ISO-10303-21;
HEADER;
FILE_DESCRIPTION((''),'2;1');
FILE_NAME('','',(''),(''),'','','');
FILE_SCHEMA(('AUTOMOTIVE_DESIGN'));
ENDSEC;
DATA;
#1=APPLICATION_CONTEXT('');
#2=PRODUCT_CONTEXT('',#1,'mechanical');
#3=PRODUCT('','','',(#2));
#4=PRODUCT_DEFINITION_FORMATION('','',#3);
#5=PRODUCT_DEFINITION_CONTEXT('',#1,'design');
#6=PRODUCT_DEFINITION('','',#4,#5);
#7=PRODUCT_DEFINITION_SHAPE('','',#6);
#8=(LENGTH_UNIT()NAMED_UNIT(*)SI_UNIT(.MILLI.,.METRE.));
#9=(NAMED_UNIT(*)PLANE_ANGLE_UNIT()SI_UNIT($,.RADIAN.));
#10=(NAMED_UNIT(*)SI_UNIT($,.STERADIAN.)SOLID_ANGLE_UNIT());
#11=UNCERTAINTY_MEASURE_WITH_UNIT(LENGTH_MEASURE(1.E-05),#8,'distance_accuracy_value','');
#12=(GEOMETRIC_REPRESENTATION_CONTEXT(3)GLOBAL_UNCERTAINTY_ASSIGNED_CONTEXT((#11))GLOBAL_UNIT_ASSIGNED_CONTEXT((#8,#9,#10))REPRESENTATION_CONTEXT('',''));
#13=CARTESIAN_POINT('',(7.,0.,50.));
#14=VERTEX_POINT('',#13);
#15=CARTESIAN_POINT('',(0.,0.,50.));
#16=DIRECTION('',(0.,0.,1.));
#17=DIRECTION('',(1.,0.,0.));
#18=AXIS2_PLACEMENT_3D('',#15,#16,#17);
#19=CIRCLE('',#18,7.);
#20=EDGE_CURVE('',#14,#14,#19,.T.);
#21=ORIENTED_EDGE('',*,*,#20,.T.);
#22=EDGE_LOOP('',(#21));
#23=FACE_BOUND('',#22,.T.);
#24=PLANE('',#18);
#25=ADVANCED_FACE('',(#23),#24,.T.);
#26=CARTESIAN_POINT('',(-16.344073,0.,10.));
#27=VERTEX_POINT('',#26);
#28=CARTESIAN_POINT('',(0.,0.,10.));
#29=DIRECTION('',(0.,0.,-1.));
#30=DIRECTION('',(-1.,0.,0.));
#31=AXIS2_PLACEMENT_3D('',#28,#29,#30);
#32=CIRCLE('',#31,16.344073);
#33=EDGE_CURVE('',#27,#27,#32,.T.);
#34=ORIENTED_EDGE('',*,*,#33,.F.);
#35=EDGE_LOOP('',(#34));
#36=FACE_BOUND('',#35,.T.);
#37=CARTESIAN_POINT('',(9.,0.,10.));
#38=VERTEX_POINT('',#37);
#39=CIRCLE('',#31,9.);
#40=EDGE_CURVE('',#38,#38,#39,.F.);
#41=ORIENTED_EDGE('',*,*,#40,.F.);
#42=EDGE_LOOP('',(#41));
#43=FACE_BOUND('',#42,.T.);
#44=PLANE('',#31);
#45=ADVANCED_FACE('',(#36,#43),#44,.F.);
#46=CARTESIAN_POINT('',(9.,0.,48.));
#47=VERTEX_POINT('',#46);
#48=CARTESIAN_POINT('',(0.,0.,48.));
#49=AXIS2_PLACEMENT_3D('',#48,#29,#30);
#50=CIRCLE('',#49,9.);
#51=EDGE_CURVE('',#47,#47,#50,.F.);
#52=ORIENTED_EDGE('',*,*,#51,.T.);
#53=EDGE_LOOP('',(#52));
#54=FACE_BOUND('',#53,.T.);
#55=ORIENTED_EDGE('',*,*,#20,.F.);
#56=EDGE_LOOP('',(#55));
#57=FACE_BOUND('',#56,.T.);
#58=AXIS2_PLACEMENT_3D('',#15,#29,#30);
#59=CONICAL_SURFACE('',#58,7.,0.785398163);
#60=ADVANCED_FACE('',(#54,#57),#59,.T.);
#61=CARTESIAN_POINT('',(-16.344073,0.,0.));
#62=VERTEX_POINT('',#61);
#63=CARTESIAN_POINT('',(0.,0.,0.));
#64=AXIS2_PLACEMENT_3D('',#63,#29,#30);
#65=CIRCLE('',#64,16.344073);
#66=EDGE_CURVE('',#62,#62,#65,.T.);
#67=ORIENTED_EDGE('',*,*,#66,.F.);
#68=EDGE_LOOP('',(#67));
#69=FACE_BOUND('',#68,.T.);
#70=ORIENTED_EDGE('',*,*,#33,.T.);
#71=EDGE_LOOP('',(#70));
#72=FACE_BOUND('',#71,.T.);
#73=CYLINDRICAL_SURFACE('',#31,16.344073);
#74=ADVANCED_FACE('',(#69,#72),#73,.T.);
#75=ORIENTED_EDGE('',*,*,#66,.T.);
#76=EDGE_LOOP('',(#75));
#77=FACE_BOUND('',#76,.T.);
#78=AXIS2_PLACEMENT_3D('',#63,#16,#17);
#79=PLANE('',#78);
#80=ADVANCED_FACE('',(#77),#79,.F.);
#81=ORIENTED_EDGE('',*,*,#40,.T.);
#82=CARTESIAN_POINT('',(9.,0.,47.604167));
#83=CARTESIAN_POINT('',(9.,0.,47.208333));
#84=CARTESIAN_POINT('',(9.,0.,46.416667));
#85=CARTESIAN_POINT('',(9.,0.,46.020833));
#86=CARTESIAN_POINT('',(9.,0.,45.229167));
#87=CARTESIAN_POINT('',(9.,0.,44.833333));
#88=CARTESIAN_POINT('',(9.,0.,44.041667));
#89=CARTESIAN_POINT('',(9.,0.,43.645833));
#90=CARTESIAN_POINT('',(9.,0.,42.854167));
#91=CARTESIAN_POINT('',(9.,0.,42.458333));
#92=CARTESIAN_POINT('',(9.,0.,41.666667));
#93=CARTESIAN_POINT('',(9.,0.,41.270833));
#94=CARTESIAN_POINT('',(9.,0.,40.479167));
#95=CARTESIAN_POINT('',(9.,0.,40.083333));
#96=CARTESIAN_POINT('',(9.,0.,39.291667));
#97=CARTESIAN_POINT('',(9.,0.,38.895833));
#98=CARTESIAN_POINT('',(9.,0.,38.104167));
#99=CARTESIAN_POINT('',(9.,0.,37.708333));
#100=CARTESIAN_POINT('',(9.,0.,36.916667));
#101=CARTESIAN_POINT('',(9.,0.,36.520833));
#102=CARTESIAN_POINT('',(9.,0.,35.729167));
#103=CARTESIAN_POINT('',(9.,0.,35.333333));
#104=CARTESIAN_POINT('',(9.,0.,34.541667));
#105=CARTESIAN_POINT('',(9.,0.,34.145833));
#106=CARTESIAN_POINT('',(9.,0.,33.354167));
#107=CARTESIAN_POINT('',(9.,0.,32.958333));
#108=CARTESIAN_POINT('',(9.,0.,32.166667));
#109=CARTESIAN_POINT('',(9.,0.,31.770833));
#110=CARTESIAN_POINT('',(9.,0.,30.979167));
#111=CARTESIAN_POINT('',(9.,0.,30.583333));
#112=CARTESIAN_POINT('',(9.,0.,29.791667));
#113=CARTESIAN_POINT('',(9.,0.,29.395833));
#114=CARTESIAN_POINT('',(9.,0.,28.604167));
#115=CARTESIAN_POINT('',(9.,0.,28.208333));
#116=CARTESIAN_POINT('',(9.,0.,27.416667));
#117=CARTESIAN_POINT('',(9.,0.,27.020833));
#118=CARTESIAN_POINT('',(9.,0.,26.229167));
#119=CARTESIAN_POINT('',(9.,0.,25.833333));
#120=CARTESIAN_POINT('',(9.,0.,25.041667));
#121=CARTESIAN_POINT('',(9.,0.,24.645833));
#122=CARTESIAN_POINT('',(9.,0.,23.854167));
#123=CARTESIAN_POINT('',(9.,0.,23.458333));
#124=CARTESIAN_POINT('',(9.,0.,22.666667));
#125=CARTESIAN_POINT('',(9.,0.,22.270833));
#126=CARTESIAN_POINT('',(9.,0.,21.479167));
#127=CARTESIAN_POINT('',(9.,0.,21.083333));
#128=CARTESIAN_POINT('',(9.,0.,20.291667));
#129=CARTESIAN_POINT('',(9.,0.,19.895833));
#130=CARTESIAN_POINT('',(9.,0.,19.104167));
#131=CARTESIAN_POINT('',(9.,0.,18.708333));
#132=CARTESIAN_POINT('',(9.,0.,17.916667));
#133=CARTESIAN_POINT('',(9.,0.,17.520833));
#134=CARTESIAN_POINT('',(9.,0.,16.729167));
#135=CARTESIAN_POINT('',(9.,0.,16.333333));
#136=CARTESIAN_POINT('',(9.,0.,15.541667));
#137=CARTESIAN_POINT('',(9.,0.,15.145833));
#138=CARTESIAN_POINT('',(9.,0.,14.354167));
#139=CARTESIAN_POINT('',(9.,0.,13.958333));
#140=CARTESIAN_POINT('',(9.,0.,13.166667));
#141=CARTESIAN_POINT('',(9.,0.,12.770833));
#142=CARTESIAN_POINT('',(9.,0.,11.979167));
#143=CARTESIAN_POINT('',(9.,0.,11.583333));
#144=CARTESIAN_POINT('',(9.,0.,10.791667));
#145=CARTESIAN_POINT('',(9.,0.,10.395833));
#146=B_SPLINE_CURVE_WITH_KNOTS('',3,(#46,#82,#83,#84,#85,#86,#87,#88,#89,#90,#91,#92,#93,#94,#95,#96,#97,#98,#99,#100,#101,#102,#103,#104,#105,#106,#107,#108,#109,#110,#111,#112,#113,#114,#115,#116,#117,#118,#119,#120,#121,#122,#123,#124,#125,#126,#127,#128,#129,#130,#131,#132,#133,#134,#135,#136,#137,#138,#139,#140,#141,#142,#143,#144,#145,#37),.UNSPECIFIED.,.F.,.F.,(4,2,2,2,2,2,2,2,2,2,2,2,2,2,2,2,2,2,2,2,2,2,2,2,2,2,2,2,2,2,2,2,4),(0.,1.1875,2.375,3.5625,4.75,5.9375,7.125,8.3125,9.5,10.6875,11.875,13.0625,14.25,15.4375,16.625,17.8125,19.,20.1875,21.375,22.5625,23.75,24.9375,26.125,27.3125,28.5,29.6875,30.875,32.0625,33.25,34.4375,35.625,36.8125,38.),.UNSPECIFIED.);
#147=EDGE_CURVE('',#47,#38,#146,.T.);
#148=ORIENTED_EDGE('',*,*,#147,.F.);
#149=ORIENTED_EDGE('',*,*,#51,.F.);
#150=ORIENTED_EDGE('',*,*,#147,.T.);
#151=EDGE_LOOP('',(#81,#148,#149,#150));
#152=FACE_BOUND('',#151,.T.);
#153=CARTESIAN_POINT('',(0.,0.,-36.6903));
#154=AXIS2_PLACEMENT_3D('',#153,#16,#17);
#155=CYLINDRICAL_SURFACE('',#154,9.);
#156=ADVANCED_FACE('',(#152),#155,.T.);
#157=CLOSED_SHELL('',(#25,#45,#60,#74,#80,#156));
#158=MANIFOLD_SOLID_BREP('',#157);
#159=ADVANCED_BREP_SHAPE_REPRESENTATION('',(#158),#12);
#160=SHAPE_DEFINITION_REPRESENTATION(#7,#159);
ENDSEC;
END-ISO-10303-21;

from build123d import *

# Parameters (mm, degrees)
SKETCH1_R           = 10
BOSS_EXTRUDE1_DEPTH = 50
SKETCH2_R           = 16.344073083
BOSS_EXTRUDE2_DEPTH = 10
CHAMFER1_SIZE       = 3
SKETCH3_OUTSIDE_W   = 48.308
SKETCH3_OUTSIDE_H   = 48.308
SKETCH3_OUTSIDE_R   = 9
CUT_EXTRUDE1_DEPTH  = 40


with BuildPart() as part:
    # Sketch1 → Boss-Extrude1 (new body)
    with BuildSketch(Plane.XY):
        Circle(SKETCH1_R)
    extrude(amount=BOSS_EXTRUDE1_DEPTH)

    # Sketch2 → Boss-Extrude2 (add)
    with BuildSketch(Plane(origin=(0, 0, 0), x_dir=(-1, 0, 0), z_dir=(0, 0, -1))):
        Circle(SKETCH2_R)
    extrude(amount=-BOSS_EXTRUDE2_DEPTH)

    # Chamfer1
    chamfer1_edges = [part.edges().sort_by_distance(p)[0] for p in [
        (-10, 0, 50),
    ]]
    chamfer(chamfer1_edges, length=CHAMFER1_SIZE)

    # Sketch3 outside → Cut-Extrude1 (cut)
    with BuildSketch(Plane.XY.offset(50)):
        Rectangle(SKETCH3_OUTSIDE_W, SKETCH3_OUTSIDE_H)
        Circle(SKETCH3_OUTSIDE_R, mode=Mode.SUBTRACT)
    extrude(amount=-CUT_EXTRUDE1_DEPTH, mode=Mode.SUBTRACT)


solid = part.part
